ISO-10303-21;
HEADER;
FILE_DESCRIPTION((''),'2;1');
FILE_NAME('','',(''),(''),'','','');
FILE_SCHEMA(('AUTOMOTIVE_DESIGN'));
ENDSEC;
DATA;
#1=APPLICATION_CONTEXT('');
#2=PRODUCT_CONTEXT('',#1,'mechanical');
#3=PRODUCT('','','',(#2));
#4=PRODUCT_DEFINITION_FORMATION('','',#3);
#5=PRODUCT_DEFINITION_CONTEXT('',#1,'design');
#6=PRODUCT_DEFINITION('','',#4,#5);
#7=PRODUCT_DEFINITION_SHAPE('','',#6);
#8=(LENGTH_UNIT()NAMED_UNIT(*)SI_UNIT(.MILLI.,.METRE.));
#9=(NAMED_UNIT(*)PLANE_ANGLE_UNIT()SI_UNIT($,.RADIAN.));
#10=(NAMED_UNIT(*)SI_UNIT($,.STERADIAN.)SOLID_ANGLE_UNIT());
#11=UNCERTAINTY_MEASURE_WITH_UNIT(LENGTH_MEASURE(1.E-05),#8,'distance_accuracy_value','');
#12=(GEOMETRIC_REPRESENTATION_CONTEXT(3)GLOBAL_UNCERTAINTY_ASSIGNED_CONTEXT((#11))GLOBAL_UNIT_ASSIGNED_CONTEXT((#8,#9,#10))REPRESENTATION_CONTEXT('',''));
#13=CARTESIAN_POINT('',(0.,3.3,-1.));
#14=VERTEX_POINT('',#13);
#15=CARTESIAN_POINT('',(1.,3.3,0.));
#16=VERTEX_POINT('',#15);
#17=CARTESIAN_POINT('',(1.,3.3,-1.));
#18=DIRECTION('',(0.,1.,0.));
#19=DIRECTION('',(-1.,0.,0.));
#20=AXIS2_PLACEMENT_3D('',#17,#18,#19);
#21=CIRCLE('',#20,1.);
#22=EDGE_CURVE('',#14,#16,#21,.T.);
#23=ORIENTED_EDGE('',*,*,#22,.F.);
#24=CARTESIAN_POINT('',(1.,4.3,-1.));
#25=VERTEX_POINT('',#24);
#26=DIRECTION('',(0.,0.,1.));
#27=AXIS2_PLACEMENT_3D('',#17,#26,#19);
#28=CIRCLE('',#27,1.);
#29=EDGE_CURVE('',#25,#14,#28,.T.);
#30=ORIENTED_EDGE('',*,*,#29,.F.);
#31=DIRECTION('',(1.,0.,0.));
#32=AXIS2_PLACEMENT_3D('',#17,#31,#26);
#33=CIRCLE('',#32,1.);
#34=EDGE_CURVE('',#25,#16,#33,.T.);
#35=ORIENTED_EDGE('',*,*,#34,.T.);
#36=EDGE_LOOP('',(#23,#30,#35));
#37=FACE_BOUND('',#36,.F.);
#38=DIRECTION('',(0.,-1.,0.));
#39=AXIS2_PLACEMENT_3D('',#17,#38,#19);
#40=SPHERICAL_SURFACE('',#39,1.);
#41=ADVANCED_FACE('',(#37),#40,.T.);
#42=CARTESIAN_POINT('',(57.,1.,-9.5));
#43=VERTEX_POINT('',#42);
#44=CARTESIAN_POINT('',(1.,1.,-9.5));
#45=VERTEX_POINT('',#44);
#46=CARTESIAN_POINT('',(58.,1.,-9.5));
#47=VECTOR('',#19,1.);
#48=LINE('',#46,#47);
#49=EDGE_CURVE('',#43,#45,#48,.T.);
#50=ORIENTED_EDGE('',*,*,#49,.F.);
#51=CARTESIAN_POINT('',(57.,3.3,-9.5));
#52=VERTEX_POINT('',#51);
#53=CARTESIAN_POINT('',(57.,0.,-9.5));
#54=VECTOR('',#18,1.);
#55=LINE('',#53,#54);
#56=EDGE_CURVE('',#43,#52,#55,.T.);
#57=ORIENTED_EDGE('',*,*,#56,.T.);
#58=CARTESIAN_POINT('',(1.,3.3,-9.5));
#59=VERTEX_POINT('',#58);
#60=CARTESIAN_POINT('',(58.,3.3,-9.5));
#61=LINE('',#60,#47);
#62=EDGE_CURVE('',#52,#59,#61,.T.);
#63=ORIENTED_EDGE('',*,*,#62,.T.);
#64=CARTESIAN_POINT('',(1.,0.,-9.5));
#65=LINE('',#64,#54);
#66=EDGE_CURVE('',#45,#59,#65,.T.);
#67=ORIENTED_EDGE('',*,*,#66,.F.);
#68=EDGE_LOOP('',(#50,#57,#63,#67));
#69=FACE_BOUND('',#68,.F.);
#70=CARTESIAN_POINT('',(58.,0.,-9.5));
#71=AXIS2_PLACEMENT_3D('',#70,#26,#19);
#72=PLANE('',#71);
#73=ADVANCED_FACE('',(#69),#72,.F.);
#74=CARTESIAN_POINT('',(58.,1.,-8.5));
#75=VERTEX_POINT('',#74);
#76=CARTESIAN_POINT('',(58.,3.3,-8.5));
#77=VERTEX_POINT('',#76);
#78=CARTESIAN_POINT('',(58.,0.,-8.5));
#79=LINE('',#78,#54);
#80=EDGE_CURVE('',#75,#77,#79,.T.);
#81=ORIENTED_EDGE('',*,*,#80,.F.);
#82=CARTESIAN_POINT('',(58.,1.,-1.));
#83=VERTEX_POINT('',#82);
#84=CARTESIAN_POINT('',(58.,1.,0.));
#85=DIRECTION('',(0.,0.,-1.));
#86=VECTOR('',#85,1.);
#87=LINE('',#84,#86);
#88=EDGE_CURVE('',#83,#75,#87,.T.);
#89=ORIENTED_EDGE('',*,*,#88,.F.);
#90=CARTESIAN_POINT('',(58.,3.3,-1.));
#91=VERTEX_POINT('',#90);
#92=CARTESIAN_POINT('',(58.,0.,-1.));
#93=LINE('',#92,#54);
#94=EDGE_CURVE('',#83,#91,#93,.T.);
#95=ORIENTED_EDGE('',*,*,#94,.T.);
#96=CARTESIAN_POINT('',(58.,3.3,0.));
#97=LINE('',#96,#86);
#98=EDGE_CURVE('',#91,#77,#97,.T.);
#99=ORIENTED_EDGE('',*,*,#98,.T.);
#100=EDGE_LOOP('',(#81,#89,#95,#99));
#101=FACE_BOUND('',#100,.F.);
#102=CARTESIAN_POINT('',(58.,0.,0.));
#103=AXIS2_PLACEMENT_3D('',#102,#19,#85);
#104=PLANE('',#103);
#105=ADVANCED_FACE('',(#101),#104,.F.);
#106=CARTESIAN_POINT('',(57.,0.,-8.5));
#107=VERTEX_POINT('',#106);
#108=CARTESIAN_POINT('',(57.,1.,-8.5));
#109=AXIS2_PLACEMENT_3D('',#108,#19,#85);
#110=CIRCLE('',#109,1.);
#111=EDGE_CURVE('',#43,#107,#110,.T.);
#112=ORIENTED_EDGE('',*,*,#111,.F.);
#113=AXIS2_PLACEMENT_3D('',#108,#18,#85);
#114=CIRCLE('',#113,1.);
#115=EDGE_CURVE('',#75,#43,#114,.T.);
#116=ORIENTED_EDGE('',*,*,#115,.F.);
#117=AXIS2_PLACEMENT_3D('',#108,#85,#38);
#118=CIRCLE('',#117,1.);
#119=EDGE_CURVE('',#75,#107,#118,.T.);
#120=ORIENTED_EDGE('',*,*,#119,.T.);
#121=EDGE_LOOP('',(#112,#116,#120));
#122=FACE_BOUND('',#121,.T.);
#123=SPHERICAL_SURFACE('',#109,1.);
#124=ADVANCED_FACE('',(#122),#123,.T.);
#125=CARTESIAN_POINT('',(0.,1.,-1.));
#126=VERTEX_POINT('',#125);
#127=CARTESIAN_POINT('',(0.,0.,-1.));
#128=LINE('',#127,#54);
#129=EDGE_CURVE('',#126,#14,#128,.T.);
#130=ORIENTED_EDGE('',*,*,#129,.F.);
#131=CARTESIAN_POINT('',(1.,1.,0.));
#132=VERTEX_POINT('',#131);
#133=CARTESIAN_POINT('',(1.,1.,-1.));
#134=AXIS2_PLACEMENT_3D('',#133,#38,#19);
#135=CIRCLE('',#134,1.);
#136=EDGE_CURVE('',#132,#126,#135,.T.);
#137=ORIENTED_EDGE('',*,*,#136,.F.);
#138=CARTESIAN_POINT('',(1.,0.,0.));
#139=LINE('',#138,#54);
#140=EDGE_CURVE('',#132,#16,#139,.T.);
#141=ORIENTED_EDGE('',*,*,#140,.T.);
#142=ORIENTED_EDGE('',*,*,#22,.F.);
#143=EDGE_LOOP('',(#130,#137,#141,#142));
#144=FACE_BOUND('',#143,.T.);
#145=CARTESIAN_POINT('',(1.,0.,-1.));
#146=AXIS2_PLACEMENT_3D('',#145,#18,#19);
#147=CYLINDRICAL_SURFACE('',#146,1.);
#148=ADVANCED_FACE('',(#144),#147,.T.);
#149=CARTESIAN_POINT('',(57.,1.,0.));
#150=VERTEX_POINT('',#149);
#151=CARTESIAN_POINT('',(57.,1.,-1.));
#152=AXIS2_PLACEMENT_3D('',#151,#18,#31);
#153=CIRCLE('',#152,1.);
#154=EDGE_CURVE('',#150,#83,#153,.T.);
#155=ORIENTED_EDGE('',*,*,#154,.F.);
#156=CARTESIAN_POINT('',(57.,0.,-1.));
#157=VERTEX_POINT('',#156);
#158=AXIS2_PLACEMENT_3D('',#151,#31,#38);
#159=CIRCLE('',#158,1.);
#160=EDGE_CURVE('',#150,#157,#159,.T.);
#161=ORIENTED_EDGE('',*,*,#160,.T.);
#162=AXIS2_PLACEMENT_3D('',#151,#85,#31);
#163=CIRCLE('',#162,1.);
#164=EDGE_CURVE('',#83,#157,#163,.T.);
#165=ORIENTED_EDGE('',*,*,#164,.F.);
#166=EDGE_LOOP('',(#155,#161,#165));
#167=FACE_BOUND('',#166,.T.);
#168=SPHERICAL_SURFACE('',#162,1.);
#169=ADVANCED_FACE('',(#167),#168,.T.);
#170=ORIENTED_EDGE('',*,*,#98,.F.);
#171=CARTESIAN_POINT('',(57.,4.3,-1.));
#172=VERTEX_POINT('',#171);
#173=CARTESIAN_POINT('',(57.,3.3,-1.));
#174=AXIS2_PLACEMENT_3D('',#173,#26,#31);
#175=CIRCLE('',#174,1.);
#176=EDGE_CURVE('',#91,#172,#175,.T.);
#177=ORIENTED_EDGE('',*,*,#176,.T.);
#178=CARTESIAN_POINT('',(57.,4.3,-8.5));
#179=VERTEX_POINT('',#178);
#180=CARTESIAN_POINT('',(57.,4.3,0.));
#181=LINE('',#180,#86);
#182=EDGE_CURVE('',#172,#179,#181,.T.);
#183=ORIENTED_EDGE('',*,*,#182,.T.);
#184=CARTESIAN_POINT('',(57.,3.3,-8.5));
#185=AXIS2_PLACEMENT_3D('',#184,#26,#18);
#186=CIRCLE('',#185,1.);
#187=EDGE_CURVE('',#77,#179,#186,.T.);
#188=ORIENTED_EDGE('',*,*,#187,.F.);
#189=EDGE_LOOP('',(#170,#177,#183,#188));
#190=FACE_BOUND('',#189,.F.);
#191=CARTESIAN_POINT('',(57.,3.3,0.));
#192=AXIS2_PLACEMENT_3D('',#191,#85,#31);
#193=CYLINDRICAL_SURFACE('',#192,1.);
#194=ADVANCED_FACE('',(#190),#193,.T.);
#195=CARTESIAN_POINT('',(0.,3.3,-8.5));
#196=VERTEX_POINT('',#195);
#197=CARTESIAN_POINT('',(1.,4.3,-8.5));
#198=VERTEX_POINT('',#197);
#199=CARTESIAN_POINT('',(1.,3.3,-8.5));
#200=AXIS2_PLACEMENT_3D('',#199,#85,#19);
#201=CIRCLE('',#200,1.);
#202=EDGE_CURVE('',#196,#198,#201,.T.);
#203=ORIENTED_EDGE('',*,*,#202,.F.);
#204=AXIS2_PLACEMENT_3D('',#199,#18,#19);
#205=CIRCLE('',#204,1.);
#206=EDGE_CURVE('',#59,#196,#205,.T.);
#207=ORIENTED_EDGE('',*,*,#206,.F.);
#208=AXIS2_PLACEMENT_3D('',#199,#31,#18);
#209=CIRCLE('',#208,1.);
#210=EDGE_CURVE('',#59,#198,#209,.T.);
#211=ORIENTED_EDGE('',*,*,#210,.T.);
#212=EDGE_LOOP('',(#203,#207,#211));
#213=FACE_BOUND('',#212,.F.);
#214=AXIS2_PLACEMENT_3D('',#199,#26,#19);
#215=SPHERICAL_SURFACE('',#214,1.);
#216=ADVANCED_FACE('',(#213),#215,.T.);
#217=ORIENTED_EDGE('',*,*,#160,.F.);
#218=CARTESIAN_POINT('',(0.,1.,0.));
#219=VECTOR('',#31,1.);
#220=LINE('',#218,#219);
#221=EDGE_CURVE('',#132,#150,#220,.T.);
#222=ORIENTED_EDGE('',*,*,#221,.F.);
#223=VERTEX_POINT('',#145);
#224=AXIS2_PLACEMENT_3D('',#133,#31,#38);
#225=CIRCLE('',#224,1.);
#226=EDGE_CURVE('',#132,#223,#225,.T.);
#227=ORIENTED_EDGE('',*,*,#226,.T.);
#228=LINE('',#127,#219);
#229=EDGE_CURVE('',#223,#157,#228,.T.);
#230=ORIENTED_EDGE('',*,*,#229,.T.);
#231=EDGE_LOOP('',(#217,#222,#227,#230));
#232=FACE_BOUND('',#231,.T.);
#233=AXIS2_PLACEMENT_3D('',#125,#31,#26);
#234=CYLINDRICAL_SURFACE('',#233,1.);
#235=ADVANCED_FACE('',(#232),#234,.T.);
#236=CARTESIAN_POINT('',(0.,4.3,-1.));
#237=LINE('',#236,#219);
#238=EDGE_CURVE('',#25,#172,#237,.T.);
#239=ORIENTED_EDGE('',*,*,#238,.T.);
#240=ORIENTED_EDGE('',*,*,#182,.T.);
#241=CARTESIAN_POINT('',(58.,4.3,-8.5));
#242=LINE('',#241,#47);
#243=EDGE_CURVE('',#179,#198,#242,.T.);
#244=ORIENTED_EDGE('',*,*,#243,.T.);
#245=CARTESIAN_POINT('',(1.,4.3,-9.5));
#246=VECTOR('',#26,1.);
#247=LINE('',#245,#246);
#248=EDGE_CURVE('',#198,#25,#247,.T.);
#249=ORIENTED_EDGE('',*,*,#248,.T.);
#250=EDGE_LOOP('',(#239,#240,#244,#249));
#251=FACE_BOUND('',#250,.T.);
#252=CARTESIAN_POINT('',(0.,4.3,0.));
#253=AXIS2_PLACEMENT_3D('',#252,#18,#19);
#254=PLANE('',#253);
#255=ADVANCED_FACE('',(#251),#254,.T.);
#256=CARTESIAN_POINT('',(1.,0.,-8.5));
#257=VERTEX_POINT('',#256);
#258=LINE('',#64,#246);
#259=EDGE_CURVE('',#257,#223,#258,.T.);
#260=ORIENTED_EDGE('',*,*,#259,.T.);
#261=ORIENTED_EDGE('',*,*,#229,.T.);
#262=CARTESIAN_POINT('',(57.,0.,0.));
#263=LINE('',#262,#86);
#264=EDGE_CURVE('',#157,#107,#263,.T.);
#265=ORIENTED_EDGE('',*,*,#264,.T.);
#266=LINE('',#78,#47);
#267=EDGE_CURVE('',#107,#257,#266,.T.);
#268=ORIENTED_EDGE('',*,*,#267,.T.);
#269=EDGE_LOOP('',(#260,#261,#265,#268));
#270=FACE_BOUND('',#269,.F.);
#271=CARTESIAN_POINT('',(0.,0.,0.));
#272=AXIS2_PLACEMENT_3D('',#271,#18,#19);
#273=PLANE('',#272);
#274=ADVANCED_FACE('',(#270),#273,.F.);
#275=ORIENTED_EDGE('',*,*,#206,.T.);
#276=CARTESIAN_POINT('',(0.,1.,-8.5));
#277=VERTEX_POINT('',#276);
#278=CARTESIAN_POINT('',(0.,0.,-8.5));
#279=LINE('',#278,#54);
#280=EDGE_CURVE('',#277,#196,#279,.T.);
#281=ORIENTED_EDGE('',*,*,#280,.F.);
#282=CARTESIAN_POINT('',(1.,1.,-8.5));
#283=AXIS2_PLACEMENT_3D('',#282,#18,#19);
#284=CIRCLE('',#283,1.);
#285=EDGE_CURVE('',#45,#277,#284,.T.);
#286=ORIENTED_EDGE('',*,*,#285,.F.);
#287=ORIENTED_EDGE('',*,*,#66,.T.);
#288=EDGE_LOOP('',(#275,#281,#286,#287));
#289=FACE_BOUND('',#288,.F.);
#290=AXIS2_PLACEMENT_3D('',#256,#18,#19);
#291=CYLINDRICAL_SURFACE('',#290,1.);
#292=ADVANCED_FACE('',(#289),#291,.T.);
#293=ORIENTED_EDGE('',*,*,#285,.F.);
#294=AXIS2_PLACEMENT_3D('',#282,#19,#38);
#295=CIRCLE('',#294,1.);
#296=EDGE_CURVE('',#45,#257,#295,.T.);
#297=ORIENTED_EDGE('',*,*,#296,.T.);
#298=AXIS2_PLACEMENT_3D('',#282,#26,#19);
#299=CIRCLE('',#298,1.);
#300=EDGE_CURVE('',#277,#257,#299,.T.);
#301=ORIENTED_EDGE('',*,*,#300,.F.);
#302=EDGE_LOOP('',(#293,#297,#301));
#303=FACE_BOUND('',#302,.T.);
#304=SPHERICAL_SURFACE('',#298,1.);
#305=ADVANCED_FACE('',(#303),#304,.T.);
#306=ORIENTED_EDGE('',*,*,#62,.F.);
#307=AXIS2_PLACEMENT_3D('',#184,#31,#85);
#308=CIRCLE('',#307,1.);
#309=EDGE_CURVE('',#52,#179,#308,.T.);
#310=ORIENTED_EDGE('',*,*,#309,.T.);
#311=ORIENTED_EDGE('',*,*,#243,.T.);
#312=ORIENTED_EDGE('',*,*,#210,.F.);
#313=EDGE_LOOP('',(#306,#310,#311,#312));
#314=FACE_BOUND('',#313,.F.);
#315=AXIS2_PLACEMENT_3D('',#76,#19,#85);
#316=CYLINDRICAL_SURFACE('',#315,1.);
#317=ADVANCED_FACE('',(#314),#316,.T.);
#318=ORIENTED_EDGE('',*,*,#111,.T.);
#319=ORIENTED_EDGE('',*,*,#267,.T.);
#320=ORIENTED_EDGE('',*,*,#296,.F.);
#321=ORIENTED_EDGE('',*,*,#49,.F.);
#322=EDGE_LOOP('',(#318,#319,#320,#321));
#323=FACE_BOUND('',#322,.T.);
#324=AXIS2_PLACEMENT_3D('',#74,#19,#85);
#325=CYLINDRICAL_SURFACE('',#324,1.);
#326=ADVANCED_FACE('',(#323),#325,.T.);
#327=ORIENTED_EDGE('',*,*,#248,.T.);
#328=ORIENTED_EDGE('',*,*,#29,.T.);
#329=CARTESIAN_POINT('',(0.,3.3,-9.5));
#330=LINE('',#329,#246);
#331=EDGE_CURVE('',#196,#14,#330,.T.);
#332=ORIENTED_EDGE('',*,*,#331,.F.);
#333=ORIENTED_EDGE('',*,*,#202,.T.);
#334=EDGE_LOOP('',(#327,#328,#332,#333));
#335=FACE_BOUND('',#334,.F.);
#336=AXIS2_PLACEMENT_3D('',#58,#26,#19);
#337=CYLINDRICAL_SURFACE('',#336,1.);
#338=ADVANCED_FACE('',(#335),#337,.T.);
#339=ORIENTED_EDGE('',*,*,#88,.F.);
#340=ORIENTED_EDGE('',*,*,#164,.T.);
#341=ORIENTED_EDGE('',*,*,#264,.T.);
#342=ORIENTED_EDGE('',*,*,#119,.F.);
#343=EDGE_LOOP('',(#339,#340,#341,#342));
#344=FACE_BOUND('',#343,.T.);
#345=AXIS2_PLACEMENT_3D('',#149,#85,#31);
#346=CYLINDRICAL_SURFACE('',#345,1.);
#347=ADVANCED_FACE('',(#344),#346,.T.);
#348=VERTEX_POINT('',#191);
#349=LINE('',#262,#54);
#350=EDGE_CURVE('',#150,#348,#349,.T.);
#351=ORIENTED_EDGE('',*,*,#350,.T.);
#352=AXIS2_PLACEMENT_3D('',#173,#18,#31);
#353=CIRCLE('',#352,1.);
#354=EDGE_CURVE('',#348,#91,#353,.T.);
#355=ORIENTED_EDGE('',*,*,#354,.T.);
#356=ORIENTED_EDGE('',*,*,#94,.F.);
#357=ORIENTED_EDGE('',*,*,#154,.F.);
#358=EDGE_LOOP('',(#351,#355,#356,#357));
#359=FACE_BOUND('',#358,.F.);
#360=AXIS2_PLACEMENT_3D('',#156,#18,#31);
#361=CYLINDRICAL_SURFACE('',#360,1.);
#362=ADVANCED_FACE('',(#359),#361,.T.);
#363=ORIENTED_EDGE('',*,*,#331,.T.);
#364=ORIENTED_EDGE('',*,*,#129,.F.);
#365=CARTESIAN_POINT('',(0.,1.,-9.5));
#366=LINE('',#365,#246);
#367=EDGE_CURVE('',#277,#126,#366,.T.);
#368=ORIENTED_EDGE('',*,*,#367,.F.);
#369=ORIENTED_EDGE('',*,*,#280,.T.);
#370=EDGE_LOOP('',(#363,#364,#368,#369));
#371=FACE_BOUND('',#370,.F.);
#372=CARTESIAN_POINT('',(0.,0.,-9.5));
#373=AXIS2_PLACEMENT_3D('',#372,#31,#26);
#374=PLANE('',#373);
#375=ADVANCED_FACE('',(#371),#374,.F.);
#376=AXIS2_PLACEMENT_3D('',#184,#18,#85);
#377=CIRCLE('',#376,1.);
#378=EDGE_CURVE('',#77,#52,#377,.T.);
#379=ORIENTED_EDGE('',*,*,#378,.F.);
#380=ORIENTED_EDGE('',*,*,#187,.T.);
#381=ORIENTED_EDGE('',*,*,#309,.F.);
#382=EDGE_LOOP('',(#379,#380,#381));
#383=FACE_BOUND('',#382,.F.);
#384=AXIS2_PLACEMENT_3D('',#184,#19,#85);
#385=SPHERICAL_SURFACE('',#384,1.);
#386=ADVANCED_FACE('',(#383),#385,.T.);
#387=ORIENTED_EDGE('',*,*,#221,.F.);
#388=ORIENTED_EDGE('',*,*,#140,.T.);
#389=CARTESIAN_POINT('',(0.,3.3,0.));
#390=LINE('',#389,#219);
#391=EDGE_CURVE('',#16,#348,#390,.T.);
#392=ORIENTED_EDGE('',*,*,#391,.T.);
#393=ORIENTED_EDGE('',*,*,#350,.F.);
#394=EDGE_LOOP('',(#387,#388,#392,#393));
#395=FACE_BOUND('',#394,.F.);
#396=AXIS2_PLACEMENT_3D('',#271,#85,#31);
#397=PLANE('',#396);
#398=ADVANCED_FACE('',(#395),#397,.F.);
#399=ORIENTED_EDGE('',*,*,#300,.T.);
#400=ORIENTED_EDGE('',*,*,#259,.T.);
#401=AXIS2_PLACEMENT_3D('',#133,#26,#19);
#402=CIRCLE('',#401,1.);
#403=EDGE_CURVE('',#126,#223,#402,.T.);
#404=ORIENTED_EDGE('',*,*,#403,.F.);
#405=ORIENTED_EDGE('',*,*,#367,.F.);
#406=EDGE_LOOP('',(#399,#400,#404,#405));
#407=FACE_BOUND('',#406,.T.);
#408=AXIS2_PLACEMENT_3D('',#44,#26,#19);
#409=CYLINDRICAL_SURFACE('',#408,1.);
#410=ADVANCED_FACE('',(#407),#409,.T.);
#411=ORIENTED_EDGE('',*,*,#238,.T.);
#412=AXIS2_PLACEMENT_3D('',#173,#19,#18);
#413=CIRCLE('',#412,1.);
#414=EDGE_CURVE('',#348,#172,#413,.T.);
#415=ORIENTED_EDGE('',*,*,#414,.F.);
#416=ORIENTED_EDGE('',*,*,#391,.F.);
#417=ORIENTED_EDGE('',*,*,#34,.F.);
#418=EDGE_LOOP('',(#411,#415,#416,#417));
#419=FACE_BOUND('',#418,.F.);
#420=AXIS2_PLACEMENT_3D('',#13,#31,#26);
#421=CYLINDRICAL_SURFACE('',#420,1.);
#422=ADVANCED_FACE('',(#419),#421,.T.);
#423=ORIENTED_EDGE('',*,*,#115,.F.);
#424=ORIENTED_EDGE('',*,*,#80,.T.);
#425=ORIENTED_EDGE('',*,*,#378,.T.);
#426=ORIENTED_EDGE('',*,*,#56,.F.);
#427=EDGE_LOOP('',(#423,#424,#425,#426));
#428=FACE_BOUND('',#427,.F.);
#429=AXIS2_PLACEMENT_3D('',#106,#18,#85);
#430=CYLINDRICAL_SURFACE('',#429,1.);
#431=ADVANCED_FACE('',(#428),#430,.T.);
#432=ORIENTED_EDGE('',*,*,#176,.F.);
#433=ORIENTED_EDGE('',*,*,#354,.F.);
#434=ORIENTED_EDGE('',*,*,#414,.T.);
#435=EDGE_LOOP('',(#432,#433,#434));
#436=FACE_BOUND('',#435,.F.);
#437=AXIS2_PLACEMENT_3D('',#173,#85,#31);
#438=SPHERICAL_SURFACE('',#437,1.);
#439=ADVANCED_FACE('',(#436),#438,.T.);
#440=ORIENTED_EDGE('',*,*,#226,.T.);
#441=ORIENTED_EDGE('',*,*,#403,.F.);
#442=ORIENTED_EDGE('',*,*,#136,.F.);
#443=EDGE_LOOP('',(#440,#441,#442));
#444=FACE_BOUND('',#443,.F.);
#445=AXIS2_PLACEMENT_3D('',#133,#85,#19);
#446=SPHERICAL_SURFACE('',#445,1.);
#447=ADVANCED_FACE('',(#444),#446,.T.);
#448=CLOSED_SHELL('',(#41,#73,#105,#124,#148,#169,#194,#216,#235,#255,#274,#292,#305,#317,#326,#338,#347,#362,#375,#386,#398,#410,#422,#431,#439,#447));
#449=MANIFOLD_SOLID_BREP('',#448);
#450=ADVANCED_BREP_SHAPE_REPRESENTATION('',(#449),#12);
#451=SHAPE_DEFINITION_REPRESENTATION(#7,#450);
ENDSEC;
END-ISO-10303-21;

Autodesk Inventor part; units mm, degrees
ref_plane "YZ Plane" through (0, 0, 0) normal (1, 0, 0) x (0, 1, 0)
ref_plane "XZ Plane" through (0, 0, 0) normal (0, 1, 0) x (-1, 0, 0)
ref_plane "XY Plane" through (0, 0, 0) normal (0, 0, 1) x (1, 0, 0)
sketch "Sketch1" plane through (0, 0, 0) normal (0, 1, 0) x (-1, 0, 0)
  line L0 (0, 0) -> (-58, 0)
  line L1 (-58, 0) -> (-58, -9.5)
  line L2 (-58, -9.5) -> (0, -9.5)
  line L3 (0, -9.5) -> (0, 0)
  dimension "d0" = 58
  dimension "d1" = 9.5
extrude "Extrusion1" add sketch "Sketch1" along normal blind 4.3
fillet "Fillet1" radius 1 12 edges at (0, 0, -4.75) (0, 2.15, 0) (0, 4.3, -4.75) (0, 2.15, -9.5) (29, 0, -9.5) (29, 4.3, -9.5) (58, 2.15, -9.5) (58, 0, -4.75) (58, 4.3, -4.75) (58, 2.15, 0) (29, 0, 0) (29, 4.3, 0)
properties part number "Magnet6010" material "Stainless Steel"
